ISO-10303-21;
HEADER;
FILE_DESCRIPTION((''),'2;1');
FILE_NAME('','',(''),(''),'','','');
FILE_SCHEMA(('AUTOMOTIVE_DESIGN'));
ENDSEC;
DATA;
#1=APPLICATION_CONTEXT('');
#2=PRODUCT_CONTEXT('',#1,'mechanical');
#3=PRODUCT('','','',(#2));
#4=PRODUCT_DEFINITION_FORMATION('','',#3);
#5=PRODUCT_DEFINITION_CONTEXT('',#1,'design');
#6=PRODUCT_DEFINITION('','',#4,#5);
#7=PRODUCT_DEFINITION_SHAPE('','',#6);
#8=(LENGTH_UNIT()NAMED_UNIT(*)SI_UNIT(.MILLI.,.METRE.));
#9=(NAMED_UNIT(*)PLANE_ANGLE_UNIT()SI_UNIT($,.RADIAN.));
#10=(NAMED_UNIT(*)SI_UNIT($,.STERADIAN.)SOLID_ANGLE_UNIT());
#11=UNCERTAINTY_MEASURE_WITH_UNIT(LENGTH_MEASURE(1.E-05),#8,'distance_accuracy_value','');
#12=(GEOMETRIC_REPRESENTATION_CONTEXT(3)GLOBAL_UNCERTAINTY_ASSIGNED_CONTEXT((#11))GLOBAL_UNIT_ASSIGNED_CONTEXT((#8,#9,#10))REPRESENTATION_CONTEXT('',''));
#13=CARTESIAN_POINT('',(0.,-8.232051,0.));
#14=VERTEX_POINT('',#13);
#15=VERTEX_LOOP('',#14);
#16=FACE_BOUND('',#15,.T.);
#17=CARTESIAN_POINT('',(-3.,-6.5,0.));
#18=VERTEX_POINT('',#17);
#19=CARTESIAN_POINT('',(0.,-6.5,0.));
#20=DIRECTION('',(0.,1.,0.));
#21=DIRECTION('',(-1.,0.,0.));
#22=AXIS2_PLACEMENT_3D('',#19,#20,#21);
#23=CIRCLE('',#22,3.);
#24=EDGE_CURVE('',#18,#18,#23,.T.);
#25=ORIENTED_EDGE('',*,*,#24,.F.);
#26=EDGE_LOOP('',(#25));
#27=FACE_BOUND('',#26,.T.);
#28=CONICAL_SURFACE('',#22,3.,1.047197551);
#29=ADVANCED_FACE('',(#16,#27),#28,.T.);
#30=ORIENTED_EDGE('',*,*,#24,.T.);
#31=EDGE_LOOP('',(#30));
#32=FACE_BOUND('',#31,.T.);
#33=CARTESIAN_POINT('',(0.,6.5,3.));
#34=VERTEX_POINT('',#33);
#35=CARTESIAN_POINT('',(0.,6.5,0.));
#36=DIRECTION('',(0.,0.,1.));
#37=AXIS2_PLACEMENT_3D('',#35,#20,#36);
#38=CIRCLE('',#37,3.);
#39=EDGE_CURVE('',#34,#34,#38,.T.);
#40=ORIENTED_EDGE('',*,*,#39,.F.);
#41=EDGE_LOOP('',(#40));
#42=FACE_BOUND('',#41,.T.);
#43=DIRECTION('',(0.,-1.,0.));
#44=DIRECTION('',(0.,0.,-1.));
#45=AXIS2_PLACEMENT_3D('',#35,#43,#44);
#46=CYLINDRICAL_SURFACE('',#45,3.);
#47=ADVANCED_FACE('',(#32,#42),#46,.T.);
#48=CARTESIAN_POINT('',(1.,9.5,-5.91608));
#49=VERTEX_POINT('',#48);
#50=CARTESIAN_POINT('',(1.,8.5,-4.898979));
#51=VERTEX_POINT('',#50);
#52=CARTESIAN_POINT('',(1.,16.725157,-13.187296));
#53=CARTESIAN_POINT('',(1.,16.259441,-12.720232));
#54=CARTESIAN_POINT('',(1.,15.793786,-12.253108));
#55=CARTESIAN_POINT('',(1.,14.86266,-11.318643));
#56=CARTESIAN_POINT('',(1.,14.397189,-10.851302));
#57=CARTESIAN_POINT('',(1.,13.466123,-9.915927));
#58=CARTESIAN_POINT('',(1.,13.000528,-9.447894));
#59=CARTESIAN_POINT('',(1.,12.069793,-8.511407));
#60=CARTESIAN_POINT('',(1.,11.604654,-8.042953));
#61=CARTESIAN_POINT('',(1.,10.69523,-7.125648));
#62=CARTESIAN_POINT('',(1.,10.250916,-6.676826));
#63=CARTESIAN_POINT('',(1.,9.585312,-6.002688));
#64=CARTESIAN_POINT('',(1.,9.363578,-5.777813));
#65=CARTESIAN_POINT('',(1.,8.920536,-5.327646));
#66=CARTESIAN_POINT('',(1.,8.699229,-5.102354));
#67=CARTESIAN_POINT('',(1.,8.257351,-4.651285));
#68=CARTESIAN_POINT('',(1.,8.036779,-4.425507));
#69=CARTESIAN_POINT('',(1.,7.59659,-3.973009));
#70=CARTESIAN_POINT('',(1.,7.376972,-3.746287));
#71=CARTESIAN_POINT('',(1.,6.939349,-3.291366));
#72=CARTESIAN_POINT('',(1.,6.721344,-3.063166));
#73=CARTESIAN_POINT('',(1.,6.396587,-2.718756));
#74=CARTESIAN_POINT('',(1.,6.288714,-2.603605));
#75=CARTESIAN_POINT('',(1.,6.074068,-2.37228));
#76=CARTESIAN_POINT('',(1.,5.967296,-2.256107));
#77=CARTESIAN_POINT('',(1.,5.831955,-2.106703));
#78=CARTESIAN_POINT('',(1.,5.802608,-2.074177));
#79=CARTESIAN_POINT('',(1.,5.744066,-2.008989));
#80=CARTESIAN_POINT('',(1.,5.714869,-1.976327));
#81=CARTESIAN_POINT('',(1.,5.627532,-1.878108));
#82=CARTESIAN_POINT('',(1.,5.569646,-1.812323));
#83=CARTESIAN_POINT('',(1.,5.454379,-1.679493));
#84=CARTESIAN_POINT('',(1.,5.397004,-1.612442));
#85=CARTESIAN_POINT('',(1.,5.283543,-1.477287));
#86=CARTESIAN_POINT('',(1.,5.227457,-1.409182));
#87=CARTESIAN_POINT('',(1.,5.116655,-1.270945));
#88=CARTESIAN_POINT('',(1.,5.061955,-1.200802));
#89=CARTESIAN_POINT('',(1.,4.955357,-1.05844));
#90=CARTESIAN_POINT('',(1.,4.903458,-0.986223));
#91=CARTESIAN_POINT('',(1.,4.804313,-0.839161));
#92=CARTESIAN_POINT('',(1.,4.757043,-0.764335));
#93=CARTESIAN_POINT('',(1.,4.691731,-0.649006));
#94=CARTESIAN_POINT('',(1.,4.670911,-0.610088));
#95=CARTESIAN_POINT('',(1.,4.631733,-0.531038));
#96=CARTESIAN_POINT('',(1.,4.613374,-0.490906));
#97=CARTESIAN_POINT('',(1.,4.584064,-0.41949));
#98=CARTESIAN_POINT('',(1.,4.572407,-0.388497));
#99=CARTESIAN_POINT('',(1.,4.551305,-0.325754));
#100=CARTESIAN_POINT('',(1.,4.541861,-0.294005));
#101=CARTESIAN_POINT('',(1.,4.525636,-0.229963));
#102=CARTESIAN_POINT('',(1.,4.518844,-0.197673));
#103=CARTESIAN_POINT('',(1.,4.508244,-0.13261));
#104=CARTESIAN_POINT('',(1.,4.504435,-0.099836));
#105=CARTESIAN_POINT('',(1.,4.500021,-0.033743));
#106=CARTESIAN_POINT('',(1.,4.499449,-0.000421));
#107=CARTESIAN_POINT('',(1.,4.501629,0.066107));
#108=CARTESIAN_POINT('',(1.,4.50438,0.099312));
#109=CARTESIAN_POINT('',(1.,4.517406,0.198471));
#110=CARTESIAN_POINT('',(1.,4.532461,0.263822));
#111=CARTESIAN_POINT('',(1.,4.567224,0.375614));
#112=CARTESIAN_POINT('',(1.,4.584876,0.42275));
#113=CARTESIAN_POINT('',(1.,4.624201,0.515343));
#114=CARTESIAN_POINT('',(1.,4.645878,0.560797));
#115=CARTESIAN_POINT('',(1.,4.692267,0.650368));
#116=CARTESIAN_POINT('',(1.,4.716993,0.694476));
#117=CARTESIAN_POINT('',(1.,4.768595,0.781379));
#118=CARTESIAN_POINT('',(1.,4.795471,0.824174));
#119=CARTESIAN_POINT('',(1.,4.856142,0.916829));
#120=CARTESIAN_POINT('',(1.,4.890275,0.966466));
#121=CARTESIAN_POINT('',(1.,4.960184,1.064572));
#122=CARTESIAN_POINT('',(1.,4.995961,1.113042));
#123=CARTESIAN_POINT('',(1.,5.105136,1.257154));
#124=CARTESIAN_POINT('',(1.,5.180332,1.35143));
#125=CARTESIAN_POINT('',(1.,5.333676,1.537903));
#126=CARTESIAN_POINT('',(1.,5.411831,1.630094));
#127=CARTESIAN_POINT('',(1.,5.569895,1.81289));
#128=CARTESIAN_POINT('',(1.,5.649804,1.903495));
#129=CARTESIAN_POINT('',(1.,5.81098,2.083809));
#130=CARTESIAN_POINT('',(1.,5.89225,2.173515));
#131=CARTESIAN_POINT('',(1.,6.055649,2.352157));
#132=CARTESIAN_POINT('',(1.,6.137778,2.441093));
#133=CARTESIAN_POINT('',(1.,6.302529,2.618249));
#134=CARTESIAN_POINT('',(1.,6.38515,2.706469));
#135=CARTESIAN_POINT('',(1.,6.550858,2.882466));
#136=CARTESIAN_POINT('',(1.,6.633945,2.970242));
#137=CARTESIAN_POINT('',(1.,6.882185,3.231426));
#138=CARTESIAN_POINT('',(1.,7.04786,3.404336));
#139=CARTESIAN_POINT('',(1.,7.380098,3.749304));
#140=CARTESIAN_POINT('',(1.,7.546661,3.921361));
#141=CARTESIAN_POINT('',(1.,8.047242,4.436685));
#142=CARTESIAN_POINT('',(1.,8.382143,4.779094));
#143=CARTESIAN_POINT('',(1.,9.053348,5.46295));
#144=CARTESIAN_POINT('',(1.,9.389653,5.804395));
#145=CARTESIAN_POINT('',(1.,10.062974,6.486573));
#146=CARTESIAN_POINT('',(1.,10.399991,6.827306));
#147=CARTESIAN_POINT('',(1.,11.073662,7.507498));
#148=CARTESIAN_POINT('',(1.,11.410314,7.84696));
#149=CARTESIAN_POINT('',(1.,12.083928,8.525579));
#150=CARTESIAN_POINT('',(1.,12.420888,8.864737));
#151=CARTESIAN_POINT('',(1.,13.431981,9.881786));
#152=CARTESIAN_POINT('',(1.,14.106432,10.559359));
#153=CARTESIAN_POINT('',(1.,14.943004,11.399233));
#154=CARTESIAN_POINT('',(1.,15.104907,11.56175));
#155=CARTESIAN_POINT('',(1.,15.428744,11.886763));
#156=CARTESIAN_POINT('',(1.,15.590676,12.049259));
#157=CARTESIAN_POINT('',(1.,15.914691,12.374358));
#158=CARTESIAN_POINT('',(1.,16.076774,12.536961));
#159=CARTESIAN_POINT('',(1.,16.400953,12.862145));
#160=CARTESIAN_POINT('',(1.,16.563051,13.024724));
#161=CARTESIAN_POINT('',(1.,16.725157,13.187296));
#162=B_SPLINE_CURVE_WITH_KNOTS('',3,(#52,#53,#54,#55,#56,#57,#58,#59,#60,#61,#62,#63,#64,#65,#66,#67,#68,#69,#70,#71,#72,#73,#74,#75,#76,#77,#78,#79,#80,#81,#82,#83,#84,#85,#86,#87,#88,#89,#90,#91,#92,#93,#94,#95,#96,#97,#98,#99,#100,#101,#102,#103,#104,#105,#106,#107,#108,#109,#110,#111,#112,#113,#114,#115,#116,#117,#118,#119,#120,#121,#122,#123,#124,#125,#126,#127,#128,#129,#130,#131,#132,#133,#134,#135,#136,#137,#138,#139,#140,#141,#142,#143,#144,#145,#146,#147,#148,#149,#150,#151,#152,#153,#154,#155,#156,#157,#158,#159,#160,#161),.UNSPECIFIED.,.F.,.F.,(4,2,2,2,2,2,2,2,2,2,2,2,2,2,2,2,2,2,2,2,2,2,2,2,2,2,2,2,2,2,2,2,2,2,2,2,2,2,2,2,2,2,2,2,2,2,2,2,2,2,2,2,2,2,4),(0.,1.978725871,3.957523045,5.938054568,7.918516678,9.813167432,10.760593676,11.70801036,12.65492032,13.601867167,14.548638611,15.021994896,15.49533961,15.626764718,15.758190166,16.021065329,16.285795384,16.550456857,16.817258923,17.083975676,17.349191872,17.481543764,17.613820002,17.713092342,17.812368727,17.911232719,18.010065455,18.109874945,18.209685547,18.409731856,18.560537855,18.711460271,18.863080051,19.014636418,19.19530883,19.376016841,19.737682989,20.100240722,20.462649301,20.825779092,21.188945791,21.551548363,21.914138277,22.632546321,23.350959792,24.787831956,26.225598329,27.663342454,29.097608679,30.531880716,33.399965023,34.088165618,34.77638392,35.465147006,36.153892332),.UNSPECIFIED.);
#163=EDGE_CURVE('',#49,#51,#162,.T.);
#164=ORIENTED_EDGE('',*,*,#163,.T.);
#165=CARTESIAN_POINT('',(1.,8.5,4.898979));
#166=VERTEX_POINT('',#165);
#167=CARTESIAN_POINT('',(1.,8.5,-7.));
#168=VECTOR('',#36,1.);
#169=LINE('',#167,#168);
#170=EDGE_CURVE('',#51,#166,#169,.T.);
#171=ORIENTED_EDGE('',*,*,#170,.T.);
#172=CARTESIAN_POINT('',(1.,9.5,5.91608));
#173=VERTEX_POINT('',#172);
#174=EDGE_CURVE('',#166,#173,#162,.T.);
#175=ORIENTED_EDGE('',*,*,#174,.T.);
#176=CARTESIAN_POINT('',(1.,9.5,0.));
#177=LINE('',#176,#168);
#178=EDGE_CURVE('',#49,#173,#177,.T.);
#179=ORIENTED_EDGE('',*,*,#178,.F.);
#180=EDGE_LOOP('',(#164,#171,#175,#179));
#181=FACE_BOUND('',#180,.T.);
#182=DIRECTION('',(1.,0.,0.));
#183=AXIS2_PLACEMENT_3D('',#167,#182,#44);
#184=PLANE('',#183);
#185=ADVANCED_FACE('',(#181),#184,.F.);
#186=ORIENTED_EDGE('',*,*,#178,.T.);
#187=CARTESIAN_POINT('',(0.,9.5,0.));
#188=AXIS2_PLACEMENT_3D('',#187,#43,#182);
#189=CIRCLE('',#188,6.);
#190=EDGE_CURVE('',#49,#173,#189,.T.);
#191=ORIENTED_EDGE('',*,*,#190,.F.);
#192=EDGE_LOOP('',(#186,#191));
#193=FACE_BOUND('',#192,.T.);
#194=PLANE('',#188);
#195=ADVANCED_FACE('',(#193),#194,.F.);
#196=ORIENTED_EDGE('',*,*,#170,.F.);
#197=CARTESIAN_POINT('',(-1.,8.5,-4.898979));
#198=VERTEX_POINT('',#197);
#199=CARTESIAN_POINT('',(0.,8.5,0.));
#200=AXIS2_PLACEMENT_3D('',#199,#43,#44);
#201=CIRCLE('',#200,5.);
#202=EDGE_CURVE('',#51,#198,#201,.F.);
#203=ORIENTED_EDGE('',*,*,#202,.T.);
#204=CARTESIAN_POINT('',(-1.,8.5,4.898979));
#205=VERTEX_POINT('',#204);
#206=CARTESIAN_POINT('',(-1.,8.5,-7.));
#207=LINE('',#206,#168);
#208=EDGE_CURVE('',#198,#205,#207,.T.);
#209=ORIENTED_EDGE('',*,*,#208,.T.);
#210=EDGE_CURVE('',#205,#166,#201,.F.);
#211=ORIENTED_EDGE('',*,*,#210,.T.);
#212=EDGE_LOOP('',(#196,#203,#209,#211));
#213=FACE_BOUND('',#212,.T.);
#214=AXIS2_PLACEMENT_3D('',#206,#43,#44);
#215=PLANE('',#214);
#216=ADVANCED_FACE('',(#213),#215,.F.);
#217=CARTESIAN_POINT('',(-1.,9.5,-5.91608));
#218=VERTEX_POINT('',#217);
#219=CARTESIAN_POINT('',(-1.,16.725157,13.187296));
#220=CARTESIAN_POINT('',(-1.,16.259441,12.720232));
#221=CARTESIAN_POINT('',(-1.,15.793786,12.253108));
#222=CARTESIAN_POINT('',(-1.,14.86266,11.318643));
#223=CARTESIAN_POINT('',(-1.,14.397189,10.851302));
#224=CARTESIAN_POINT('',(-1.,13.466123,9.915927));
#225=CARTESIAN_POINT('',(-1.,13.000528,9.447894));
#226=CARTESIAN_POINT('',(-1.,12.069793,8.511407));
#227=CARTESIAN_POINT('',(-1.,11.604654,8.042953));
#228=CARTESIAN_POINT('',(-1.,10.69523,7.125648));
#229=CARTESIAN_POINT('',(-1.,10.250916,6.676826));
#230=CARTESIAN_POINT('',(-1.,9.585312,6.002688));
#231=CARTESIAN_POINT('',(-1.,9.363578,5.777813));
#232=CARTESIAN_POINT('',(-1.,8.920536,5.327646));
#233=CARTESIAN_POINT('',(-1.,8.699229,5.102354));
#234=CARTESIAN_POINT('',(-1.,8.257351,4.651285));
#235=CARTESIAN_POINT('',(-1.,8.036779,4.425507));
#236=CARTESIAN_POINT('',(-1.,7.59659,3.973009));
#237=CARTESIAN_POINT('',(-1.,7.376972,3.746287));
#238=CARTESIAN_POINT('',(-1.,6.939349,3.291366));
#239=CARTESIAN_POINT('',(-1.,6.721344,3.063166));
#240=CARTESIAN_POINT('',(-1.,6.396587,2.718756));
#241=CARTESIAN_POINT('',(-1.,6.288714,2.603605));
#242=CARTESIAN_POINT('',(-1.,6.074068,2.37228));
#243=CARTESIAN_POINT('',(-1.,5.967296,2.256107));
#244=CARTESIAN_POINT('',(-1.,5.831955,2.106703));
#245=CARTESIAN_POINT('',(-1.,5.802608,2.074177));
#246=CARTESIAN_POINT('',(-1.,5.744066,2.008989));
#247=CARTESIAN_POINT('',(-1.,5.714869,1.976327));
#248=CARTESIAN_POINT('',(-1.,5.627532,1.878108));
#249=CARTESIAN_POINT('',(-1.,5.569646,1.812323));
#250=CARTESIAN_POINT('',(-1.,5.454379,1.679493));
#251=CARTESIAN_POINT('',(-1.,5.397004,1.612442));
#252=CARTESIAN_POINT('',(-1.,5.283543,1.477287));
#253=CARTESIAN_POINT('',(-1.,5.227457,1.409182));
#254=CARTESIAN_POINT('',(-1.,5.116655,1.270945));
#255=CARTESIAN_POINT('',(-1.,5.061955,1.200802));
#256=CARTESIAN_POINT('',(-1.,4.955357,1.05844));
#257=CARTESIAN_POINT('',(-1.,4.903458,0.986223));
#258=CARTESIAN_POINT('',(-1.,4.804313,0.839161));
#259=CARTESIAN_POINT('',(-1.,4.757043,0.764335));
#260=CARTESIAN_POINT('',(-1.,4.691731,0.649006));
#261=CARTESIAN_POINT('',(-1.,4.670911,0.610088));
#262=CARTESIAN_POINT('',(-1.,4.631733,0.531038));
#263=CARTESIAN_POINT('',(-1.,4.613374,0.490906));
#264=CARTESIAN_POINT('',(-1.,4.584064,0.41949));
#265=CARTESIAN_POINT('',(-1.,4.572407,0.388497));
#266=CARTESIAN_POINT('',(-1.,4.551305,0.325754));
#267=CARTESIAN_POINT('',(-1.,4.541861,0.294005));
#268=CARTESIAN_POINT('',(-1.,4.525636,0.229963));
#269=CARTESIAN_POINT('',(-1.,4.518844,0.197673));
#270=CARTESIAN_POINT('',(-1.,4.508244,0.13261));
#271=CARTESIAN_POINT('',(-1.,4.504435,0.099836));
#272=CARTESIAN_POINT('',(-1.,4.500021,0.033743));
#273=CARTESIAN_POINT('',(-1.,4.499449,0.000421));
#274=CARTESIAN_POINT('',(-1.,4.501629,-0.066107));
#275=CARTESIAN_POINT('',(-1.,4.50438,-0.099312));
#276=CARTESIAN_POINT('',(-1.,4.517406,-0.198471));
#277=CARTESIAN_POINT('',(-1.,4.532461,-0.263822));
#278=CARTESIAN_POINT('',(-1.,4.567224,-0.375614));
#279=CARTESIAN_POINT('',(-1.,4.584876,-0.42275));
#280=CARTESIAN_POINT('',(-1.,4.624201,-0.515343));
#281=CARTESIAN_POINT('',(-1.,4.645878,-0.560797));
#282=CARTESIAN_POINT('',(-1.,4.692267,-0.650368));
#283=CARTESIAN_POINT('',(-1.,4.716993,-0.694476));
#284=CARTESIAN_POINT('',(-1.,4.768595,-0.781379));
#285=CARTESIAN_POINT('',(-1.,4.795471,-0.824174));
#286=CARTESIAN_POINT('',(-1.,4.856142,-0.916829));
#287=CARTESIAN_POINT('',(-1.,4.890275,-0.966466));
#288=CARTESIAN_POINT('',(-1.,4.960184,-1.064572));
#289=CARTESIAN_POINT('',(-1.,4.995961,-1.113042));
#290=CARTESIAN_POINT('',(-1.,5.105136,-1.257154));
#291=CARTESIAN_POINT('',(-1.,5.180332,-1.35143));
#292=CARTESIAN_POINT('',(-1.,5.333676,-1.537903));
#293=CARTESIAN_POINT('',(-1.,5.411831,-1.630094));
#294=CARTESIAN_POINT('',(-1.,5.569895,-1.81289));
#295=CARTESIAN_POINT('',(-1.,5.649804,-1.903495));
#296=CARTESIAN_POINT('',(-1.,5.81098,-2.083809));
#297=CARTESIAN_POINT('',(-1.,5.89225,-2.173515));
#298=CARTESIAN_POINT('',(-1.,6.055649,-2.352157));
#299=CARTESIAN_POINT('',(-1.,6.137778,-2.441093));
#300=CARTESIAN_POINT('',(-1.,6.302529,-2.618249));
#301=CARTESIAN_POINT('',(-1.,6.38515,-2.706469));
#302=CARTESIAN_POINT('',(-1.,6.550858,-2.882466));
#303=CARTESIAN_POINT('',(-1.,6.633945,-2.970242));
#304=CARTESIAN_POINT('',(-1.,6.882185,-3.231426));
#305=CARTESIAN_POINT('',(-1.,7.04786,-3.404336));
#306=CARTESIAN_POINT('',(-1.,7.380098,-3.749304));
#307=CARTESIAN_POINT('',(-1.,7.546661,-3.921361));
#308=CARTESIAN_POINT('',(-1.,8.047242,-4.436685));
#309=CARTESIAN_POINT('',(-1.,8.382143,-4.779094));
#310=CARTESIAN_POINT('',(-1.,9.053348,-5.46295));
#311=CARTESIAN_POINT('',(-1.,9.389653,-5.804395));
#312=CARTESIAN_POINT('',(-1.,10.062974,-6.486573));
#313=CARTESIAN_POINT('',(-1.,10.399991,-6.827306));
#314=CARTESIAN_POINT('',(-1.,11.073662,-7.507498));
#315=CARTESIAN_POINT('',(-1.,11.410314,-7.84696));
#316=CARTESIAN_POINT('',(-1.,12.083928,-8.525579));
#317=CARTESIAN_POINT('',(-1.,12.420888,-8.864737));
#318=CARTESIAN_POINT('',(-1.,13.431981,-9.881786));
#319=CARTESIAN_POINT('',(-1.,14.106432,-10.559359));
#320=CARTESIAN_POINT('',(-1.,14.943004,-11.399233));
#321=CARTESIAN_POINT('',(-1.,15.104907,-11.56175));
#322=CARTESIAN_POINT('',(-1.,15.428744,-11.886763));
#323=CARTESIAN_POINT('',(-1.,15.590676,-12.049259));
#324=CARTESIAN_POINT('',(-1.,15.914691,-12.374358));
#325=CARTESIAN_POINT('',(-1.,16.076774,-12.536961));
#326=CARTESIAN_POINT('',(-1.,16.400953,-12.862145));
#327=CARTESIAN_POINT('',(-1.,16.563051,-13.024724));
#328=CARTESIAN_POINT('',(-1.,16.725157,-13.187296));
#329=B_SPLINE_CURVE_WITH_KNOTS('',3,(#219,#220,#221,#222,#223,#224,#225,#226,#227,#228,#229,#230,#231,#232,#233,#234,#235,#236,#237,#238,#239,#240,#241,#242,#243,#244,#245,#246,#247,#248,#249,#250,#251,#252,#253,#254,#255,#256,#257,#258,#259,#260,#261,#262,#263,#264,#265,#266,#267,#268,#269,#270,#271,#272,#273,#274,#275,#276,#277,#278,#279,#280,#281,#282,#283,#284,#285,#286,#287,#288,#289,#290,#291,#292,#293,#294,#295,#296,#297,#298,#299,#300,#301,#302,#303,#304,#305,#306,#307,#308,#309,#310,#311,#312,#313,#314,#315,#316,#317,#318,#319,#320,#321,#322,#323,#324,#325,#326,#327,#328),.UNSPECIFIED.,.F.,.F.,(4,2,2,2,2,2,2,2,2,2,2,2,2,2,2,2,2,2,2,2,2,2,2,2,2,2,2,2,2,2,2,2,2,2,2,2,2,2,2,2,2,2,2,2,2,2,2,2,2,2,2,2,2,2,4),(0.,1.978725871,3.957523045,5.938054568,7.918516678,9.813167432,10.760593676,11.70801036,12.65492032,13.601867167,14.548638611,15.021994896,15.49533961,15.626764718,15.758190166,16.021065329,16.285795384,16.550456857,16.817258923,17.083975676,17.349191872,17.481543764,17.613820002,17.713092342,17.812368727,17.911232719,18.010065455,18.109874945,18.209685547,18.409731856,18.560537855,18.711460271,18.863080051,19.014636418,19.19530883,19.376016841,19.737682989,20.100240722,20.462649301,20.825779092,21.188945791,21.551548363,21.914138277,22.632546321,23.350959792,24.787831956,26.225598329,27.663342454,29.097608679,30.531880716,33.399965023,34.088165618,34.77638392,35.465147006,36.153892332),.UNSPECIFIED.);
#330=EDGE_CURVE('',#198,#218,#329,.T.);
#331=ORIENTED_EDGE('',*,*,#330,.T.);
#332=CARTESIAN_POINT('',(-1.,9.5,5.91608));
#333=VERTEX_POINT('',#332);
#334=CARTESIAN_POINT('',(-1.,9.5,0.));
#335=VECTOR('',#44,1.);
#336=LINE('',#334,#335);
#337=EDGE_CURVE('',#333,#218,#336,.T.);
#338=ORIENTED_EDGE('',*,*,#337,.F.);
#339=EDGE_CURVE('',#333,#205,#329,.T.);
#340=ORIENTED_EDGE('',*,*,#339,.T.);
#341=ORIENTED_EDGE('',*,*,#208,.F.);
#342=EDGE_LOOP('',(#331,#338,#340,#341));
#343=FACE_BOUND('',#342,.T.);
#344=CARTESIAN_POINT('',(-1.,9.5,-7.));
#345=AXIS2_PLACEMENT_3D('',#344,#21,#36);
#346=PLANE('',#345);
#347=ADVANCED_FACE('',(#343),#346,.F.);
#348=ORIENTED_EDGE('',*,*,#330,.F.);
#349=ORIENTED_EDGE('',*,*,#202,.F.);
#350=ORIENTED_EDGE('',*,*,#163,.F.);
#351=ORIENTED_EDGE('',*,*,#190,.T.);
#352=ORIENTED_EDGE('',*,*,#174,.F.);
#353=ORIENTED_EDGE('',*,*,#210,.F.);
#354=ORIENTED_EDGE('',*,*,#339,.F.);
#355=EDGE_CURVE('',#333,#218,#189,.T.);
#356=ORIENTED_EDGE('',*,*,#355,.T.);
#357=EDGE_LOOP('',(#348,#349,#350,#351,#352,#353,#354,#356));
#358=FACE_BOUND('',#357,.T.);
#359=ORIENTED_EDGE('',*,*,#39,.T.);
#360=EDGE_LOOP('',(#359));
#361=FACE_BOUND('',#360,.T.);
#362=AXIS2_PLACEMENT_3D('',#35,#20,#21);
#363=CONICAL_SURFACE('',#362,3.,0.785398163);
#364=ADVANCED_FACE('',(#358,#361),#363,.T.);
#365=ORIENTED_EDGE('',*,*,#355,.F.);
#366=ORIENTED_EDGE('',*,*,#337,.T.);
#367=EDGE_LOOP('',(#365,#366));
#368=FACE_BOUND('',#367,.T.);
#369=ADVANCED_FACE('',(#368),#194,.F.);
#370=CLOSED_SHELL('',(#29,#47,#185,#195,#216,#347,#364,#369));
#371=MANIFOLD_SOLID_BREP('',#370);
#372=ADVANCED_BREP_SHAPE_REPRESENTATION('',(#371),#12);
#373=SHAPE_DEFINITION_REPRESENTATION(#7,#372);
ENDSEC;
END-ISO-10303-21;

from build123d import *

# Parameters (mm, degrees)
SKETCH2_R           = 3
BOSS_EXTRUDE1_DEPTH = 6.5
SKETCH7_W           = 2
SKETCH7_H           = 1
CUT_EXTRUDE1_DEPTH  = 7


with BuildPart() as part:
    # Sketch2 → Boss-Extrude1 (new body, symmetric)
    with BuildSketch(Plane(origin=(0, 0, 0), x_dir=(1, 0, 0), z_dir=(0, 1, 0))):
        Circle(SKETCH2_R)
    extrude(amount=BOSS_EXTRUDE1_DEPTH, both=True)

    # Sketch5 → Revolve2 (revolve)
    with BuildSketch(Plane.XY):
        Polygon((-3, -6.5), (0, -8.232050808), (0, -6.5), align=None)
    revolve(axis=Axis((0, -6.5, 0), (0, -1, 0)))

    # Sketch6 → Revolve3 (revolve)
    with BuildSketch(Plane.XY):
        Polygon((3, 6.5), (0, 6.5), (0, 9.5), (6, 9.5), align=None)
    revolve(axis=Axis((0, 6.5, 0), (0, 1, 0)))

    # Sketch7 → Cut-Extrude1 (cut, symmetric)
    with BuildSketch(Plane.XY):
        with Locations((0, 9)):
            Rectangle(SKETCH7_W, SKETCH7_H)
    extrude(amount=CUT_EXTRUDE1_DEPTH, both=True, mode=Mode.SUBTRACT)


solid = part.part
